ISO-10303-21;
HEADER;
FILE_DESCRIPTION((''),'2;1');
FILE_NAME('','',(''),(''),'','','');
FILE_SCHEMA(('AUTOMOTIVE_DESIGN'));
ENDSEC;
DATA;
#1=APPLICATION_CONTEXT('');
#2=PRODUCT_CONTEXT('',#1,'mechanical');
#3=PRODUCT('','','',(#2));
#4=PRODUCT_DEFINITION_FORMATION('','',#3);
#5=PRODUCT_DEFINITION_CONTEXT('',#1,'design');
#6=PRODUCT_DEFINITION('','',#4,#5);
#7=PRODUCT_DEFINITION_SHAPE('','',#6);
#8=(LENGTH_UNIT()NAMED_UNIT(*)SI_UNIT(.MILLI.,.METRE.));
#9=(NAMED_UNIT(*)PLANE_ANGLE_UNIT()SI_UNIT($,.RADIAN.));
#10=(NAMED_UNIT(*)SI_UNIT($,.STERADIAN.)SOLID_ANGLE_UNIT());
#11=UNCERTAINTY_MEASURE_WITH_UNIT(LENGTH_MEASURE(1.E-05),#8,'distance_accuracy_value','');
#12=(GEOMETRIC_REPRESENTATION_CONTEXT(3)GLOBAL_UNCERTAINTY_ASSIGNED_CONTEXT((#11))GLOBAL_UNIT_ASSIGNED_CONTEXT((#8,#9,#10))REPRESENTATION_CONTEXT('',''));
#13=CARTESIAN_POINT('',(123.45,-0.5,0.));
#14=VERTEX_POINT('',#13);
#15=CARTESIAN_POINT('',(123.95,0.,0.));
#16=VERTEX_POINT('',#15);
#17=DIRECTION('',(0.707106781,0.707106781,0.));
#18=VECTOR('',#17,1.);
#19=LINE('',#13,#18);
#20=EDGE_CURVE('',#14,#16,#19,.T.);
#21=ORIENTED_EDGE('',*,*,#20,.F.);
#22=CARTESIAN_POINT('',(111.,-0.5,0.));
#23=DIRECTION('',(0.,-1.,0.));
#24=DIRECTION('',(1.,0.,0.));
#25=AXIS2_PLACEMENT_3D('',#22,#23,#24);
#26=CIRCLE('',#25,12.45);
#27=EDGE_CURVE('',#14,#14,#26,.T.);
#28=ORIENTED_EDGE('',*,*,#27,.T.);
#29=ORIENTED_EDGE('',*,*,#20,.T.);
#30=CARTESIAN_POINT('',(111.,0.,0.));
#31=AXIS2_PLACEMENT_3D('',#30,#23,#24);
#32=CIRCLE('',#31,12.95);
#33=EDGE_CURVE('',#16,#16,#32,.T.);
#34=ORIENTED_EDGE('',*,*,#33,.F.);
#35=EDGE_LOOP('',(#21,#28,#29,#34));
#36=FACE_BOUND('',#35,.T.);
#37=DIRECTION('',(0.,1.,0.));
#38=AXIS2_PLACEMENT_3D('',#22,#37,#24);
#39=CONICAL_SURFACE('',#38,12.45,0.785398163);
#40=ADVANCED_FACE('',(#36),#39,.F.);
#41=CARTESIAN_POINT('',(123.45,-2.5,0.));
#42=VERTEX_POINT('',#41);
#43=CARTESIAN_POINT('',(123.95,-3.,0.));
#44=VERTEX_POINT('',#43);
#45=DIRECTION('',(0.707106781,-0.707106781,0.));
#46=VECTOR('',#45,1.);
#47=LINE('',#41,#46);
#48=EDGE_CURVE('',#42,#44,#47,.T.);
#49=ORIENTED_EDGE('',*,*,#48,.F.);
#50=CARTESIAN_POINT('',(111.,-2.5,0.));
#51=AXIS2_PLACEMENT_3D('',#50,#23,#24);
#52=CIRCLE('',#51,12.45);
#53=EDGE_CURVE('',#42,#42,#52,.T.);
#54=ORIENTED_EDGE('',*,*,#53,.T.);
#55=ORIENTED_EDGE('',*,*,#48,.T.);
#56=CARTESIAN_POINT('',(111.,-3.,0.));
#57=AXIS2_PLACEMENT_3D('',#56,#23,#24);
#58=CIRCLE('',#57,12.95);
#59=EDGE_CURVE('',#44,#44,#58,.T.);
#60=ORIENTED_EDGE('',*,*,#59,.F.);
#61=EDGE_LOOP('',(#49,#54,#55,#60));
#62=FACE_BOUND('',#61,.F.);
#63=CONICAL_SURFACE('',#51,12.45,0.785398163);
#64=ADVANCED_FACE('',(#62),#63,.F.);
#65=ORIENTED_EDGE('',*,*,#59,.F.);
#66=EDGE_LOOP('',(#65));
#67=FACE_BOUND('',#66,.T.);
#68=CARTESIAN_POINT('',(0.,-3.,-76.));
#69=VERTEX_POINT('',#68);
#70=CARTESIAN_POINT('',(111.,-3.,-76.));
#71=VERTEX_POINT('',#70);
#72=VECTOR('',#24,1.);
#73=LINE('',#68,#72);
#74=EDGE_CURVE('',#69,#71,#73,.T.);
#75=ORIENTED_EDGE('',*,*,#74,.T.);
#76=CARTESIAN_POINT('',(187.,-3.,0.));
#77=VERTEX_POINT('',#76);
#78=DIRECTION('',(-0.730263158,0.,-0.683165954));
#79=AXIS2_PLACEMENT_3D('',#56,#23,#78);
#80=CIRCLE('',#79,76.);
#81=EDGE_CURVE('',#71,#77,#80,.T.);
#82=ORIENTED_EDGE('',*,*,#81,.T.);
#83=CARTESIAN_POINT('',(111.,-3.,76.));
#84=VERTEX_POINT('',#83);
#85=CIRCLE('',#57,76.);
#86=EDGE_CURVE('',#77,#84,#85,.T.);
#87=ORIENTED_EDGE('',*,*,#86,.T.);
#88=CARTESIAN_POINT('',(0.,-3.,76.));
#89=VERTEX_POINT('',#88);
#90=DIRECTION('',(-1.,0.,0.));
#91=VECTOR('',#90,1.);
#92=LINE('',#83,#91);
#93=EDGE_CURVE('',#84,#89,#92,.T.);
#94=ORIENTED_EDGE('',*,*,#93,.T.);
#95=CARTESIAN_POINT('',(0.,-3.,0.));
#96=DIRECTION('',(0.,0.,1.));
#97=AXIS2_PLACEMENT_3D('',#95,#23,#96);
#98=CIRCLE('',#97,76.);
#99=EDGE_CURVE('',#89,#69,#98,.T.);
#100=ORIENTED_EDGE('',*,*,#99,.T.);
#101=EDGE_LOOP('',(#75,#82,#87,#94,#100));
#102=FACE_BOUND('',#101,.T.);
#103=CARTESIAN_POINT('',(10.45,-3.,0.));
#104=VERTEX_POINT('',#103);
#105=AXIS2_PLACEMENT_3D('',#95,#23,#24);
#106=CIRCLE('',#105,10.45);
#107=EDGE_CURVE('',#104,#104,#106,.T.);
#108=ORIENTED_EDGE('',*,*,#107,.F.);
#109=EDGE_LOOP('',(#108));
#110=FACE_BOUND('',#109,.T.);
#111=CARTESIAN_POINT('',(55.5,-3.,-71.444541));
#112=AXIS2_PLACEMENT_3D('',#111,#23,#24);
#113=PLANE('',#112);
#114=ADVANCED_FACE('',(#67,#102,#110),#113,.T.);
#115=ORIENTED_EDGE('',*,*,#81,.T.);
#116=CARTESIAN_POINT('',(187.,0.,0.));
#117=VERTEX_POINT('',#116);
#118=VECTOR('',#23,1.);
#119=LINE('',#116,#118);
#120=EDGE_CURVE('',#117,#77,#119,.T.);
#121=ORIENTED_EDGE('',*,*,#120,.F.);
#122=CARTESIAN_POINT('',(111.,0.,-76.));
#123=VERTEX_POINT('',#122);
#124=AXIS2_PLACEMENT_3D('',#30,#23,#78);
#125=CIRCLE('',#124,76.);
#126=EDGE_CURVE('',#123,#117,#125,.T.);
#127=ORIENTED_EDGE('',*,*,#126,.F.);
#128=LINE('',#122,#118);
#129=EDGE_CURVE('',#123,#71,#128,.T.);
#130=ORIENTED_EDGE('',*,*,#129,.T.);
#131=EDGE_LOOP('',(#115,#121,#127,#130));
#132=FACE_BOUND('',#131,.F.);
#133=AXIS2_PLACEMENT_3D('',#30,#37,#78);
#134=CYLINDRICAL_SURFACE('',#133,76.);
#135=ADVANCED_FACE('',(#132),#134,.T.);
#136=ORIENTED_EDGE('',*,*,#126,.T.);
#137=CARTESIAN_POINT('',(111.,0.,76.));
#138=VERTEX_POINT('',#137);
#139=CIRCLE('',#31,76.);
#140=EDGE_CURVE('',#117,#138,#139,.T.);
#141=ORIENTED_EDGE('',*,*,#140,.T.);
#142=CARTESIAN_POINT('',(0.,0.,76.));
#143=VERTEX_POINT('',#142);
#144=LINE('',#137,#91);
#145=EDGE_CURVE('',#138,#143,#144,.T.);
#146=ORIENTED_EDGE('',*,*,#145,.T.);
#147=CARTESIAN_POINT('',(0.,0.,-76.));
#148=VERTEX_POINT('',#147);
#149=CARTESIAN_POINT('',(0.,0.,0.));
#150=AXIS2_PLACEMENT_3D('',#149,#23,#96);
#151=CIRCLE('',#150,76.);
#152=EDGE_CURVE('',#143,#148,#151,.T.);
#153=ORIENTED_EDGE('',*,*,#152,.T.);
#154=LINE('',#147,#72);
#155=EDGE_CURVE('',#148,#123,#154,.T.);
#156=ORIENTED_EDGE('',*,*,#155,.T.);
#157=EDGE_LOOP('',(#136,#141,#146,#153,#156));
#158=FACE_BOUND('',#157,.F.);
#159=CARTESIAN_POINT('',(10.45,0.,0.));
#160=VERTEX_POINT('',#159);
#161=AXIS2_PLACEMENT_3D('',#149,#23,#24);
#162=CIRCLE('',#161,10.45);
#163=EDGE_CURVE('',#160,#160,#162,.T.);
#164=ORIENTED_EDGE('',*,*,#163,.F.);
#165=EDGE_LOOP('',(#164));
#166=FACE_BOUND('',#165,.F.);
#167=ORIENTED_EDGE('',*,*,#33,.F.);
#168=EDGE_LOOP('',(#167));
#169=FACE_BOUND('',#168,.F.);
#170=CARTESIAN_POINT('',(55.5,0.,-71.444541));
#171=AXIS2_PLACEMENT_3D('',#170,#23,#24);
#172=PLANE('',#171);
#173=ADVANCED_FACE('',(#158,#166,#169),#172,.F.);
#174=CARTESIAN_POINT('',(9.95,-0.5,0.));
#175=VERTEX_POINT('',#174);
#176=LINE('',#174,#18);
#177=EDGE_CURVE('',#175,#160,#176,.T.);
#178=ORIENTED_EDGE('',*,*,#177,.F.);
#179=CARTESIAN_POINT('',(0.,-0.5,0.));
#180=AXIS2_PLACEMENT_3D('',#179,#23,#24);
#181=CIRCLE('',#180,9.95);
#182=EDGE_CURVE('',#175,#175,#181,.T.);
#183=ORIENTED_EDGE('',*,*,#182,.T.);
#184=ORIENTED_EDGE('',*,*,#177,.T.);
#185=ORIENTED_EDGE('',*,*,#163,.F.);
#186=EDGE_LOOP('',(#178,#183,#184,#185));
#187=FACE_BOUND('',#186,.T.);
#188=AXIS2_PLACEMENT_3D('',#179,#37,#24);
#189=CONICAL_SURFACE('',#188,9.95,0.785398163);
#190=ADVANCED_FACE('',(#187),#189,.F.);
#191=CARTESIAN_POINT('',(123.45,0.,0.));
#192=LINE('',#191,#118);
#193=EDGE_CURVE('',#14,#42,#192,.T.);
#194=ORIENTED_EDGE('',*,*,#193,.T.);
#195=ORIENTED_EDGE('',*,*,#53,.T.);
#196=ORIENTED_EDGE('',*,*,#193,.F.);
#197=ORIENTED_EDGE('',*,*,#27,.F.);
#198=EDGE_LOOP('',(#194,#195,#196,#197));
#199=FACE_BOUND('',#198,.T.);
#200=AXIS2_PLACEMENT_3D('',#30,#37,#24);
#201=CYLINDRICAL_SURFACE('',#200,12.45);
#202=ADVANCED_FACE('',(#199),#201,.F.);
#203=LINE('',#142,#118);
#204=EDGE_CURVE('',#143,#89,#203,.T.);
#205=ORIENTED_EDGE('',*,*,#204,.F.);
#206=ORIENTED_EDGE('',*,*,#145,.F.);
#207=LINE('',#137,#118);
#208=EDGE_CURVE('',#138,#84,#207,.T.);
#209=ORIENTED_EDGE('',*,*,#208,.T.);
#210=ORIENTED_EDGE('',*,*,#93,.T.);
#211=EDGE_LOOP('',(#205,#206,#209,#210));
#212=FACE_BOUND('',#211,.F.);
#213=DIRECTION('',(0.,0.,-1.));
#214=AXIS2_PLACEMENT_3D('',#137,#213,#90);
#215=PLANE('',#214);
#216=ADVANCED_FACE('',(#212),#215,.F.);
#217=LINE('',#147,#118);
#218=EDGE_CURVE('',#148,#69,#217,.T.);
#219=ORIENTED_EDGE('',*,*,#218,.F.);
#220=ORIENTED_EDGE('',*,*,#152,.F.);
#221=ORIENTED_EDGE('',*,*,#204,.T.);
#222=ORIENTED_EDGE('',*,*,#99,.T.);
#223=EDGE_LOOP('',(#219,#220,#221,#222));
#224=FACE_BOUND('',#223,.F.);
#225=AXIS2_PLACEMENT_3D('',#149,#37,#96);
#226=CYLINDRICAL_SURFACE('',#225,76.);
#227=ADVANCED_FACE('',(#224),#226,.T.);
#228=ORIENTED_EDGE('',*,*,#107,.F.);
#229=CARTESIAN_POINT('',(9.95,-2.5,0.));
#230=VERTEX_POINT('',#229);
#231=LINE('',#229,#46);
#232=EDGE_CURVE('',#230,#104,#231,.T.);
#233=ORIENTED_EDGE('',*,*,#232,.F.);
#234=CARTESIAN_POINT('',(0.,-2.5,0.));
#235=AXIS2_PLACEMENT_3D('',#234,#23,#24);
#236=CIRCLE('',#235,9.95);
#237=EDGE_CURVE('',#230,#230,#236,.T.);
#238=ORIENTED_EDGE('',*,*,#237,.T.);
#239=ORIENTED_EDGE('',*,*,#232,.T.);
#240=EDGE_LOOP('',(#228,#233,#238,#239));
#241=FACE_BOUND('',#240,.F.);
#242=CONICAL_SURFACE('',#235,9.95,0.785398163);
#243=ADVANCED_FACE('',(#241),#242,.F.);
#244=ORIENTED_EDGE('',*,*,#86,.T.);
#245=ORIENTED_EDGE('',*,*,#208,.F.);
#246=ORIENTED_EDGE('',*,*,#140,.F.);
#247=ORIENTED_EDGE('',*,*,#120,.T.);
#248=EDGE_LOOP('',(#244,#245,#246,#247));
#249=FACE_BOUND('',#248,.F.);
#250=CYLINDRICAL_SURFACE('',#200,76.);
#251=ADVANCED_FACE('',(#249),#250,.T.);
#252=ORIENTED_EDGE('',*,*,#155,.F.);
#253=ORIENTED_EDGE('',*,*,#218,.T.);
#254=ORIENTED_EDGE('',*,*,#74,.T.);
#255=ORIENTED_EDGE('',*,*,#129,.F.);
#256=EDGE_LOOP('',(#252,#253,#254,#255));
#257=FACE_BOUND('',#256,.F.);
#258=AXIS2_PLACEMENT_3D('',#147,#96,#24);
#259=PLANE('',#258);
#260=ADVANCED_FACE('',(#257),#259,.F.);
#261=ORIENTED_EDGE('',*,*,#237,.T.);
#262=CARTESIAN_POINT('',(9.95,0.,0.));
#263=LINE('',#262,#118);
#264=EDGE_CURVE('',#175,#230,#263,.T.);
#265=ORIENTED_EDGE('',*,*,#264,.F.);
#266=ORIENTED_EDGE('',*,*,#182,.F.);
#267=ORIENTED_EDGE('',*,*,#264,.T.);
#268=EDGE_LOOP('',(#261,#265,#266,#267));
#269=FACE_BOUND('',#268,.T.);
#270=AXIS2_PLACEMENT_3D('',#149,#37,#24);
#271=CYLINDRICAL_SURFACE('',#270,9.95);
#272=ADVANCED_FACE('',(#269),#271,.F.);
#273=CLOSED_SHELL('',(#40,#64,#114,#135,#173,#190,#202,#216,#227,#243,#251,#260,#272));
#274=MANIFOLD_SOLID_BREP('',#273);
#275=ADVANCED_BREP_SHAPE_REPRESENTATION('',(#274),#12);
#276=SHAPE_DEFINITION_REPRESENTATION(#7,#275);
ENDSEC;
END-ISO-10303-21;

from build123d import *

# Parameters (mm, degrees)
F0_R     = 9.95
F0_R_2   = 12.45
F1_DEPTH = 3
F2_SIZE  = 0.5


with BuildPart() as f1:
    # F0 (on Front) → F1 (new body)
    with BuildSketch(Plane.XZ):
        with BuildLine():
            ThreePointArc((55.5, -51.9206124771), (30.2492433933, -69.7207521053), (0, -76))
            Line((0, -76), (111, -76))
            ThreePointArc((111, -76), (80.7507566067, -69.7207521053), (55.5, -51.9206124771))
        make_face()
        with BuildLine():
            ThreePointArc((55.5, 51.9206124771), (30.2492433933, 69.7207521053), (0, 76))
            ThreePointArc((0, 76), (-76, 0), (0, -76))
            ThreePointArc((0, -76), (30.2492433933, -69.7207521053), (55.5, -51.9206124771))
            ThreePointArc((55.5, -51.9206124771), (35, 0), (55.5, 51.9206124771))
        make_face()
        Circle(F0_R, mode=Mode.SUBTRACT)
        with BuildLine():
            ThreePointArc((111, 76), (80.7507566067, 69.7207521053), (55.5, 51.9206124771))
            ThreePointArc((55.5, 51.9206124771), (70.6894617323, 27.9105714739), (76, 0))
            ThreePointArc((76, 0), (70.6894617323, -27.9105714739), (55.5, -51.9206124771))
            ThreePointArc((55.5, -51.9206124771), (80.7507566067, -69.7207521053), (111, -76))
            ThreePointArc((111, -76), (164.7401153702, -53.7401153702), (187, 0))
            ThreePointArc((187, 0), (164.7401153702, 53.7401153702), (111, 76))
        make_face()
        with Locations((111, 0)):
            Circle(F0_R_2, mode=Mode.SUBTRACT)
        with BuildLine():
            ThreePointArc((76, 0), (70.6894617323, 27.9105714739), (55.5, 51.9206124771))
            ThreePointArc((55.5, 51.9206124771), (35, 0), (55.5, -51.9206124771))
            ThreePointArc((55.5, -51.9206124771), (70.6894617323, -27.9105714739), (76, 0))
        make_face()
        with BuildLine():
            Line((111, 76), (0, 76))
            ThreePointArc((0, 76), (30.2492433933, 69.7207521053), (55.5, 51.9206124771))
            ThreePointArc((55.5, 51.9206124771), (80.7507566067, 69.7207521053), (111, 76))
        make_face()
    extrude(amount=F1_DEPTH)

    # F2
    f2_edges = [f1.edges().sort_by_distance(p)[0] for p in [
        (-9.95, -3, 0),
        (-9.95, 0, 0),
        (98.55, 0, 0),
        (98.55, -3, 0),
    ]]
    chamfer(f2_edges, length=F2_SIZE)


solid = f1.part
